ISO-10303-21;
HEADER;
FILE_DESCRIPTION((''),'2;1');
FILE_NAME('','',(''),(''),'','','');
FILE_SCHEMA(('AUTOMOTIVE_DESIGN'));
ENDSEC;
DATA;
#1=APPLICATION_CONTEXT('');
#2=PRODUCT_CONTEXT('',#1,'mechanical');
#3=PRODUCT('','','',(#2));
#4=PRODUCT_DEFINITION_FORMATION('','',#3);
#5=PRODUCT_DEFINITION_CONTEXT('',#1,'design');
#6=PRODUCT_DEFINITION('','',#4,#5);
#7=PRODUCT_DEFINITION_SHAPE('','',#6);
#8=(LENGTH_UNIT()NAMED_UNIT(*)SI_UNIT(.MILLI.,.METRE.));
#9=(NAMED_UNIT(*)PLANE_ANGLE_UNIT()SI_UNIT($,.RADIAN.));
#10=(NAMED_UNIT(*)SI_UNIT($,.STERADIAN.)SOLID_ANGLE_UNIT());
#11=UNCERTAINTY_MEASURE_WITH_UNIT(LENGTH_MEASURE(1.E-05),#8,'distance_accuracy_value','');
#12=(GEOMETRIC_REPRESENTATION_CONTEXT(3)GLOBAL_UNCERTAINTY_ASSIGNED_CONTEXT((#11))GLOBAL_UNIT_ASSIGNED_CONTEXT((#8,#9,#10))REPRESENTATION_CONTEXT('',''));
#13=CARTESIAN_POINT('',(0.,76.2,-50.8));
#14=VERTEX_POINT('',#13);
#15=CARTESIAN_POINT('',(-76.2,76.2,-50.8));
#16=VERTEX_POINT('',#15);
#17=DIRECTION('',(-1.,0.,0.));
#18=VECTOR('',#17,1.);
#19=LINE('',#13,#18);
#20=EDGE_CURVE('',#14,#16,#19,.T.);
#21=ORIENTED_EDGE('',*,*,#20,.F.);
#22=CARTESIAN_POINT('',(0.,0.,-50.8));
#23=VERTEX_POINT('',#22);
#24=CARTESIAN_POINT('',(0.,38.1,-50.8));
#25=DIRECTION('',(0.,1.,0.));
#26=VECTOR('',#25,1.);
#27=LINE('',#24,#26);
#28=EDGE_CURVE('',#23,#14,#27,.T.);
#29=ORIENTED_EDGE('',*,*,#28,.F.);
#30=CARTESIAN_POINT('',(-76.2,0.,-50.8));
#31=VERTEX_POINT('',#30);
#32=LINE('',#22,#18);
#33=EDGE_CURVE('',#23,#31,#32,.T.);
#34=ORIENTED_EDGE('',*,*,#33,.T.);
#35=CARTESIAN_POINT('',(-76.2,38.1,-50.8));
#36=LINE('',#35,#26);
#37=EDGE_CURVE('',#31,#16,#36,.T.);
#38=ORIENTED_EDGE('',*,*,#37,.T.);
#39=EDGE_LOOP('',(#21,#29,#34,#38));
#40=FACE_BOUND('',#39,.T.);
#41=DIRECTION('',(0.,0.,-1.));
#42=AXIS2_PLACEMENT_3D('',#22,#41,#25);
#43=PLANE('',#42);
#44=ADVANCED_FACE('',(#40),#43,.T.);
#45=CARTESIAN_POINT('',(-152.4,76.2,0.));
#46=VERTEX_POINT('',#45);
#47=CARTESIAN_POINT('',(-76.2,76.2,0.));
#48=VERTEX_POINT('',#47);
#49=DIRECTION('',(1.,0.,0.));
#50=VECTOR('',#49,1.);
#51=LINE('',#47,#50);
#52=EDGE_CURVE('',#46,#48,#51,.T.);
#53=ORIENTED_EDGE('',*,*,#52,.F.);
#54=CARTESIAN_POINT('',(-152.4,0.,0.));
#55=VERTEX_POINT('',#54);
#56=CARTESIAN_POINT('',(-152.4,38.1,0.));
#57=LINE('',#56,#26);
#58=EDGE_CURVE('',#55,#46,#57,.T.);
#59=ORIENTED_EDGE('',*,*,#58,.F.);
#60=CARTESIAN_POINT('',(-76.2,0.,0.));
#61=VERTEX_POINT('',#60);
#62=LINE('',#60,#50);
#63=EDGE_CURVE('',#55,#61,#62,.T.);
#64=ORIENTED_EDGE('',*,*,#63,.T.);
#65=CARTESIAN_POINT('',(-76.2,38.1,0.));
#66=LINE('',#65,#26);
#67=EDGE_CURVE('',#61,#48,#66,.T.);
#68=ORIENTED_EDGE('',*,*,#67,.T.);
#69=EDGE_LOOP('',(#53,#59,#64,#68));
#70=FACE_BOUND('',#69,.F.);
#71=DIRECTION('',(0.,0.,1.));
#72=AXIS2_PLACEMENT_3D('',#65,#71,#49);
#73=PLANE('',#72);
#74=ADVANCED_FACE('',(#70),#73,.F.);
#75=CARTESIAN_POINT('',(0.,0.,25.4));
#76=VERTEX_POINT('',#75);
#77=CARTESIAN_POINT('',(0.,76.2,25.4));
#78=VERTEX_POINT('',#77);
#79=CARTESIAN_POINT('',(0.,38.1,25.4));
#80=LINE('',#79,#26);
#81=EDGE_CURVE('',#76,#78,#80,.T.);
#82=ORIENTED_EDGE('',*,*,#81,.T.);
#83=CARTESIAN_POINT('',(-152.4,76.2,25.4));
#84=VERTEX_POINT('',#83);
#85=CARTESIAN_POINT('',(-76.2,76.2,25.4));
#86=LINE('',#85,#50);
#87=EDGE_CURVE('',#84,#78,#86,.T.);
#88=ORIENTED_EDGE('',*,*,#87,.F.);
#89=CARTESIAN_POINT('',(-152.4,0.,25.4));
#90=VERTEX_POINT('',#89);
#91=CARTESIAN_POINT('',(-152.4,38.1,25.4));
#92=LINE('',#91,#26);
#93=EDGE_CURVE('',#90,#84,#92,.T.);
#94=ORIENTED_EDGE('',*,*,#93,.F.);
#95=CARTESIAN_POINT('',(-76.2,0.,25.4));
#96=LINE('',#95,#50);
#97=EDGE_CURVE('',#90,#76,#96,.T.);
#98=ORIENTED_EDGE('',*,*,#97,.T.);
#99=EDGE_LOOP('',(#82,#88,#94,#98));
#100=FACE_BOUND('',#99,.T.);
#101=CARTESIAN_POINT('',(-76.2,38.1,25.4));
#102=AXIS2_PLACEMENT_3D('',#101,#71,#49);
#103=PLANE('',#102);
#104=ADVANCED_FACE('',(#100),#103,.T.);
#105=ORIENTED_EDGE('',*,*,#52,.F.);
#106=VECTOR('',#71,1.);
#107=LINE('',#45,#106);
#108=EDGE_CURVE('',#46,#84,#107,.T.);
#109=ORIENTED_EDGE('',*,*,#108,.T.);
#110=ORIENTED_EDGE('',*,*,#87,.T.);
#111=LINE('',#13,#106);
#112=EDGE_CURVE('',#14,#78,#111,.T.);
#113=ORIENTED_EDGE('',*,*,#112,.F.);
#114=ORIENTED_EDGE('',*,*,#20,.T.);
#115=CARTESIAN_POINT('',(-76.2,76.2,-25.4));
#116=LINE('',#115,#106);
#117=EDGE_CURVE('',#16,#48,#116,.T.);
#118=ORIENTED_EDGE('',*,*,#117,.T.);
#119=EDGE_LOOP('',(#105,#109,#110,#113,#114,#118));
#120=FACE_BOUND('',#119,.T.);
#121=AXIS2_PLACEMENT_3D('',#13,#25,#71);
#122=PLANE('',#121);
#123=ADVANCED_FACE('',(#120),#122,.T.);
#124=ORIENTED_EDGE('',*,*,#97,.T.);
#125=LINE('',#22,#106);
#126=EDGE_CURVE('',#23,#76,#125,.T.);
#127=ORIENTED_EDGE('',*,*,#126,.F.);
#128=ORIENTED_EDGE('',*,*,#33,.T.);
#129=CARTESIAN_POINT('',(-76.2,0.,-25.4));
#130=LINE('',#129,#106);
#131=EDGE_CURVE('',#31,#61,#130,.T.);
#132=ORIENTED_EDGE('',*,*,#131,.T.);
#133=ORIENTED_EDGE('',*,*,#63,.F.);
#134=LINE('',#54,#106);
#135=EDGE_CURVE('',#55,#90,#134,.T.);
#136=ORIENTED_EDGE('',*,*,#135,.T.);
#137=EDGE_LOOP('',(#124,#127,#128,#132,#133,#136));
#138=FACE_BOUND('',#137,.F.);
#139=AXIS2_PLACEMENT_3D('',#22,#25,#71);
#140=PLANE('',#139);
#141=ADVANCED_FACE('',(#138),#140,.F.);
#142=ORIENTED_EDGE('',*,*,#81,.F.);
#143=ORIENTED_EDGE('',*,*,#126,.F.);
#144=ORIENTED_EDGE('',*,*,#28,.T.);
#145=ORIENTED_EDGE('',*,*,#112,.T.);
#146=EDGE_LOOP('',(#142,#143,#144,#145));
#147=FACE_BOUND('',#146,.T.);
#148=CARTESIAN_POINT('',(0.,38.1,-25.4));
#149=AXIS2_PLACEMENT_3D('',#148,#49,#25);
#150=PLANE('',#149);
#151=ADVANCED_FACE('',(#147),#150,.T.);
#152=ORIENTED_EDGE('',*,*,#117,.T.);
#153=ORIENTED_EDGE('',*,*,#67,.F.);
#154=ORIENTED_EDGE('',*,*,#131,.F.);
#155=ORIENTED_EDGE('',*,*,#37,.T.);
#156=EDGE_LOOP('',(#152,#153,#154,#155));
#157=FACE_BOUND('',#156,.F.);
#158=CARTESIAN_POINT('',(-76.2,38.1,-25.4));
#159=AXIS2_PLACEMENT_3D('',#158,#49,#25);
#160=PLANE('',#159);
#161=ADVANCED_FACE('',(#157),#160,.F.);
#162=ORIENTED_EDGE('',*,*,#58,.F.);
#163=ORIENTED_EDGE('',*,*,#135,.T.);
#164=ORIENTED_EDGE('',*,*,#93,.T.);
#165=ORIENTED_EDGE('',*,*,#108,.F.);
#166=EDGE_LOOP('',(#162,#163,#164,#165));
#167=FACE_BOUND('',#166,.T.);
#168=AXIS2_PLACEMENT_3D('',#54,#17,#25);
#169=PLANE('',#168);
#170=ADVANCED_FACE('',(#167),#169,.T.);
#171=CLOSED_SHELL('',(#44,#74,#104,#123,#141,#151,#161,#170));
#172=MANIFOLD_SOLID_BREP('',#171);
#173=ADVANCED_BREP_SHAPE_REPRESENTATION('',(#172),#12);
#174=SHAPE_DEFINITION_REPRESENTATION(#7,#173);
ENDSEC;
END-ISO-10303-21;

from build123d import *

# Parameters (mm, degrees)
F0_W     = 152.4
F0_H     = 76.2
F1_DEPTH = 25.4
F2_W     = 76.2
F2_H     = 50.8
F3_DEPTH = 76.2


with BuildPart() as f1:
    # F0 (on Top) → F1 (new body)
    with BuildSketch(Plane.XY):
        with Locations((-76.2, 38.1)):
            Rectangle(F0_W, F0_H)
    extrude(amount=F1_DEPTH)

    # F2 (on Right) → F3 (join)
    with BuildSketch(Plane.YZ):
        with Locations((38.1, -25.4)):
            Rectangle(F2_W, F2_H)
    extrude(amount=-F3_DEPTH)


solid = f1.part
